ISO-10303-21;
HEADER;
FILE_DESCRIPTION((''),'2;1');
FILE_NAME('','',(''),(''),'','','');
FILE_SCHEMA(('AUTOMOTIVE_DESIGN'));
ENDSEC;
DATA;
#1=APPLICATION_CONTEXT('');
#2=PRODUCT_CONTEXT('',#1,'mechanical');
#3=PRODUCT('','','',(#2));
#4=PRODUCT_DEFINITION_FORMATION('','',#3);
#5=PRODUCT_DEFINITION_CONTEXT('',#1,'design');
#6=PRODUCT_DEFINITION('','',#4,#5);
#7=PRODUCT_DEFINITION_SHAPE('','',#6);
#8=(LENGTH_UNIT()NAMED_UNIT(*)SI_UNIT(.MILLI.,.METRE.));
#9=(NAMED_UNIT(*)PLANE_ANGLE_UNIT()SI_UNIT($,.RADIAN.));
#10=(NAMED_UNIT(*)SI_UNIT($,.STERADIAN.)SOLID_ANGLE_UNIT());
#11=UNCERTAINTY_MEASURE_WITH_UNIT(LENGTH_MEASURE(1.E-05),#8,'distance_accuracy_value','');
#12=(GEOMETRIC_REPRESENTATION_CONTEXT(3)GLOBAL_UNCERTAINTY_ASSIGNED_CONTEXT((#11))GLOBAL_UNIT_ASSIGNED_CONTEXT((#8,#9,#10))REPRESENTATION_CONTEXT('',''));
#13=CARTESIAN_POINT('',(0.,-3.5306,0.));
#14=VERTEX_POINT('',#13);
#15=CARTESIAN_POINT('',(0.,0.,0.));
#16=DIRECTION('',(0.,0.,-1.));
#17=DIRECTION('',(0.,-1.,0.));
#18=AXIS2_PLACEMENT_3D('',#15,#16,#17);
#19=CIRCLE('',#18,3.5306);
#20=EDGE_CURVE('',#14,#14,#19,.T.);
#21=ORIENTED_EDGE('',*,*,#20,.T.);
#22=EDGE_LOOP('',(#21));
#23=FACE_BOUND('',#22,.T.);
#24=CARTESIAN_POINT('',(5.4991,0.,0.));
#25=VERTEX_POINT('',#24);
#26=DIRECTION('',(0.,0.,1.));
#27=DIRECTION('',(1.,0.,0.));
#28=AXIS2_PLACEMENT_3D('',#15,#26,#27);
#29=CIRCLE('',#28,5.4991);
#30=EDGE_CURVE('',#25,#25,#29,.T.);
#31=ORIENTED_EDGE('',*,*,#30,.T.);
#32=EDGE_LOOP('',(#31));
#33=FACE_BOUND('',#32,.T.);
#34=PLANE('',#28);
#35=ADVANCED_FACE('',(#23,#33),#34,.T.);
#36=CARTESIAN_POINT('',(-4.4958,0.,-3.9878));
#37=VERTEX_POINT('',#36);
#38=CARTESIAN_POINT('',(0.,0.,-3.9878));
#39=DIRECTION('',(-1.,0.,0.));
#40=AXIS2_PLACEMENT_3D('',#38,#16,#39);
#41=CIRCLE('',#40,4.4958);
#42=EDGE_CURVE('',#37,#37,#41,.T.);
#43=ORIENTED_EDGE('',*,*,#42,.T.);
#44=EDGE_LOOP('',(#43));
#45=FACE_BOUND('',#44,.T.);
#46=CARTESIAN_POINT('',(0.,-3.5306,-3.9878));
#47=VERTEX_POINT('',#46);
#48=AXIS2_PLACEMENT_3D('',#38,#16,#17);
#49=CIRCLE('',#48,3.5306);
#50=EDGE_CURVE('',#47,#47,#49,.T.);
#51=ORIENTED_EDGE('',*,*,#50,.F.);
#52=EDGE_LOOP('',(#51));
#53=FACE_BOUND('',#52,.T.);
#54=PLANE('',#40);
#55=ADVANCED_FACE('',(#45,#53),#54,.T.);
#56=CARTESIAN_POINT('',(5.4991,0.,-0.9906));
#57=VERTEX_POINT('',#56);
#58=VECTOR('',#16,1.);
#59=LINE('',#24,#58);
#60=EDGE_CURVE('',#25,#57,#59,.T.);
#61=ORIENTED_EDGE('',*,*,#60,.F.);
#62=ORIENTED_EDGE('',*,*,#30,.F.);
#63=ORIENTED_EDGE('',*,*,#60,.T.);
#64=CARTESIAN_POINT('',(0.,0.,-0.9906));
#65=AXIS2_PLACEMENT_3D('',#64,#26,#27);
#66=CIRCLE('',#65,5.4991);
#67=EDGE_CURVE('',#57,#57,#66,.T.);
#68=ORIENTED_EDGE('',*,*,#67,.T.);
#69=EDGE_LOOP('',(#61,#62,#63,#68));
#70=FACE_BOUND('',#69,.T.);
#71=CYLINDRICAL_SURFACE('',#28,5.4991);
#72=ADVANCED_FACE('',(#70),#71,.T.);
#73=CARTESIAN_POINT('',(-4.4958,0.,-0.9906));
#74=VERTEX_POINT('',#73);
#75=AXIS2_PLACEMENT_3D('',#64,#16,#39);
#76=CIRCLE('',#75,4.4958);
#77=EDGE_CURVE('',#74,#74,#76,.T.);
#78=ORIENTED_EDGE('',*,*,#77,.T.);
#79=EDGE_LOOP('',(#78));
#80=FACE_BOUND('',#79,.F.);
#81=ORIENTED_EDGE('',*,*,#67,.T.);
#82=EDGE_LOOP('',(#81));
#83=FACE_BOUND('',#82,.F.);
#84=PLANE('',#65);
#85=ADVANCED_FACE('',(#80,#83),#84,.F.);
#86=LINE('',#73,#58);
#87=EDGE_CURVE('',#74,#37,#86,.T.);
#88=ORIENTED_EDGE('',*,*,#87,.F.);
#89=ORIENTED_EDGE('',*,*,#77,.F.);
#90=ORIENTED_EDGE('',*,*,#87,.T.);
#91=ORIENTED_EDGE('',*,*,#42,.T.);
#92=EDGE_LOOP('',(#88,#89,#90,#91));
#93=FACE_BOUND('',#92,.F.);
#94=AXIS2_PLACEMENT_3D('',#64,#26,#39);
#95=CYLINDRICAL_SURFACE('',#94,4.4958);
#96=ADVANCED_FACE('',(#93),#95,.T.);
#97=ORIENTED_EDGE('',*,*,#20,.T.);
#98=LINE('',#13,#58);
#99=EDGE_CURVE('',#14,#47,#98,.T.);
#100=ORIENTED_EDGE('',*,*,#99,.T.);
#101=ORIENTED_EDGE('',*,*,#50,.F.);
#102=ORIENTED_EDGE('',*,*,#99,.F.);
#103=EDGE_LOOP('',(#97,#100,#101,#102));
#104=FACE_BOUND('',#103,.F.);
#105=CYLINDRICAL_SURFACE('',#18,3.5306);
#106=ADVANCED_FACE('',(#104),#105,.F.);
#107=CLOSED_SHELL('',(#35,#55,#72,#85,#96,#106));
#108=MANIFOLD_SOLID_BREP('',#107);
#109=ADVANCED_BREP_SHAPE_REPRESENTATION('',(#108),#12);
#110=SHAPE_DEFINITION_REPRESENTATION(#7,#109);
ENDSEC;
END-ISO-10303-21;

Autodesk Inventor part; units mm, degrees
ref_plane "YZ Plane" through (0, 0, 0) normal (1, 0, 0) x (0, 1, 0)
ref_plane "XZ Plane" through (0, 0, 0) normal (0, 1, 0) x (-1, 0, 0)
ref_plane "XY Plane" through (0, 0, 0) normal (0, 0, 1) x (1, 0, 0)
sketch "Sketch1" plane through (0, 0, 0) normal (0, 0, 1) x (1, 0, 0)
  circle A0 centre (0, 0) radius 5.4991
  dimension "d0" = 10.9982
extrude "Extrusion1" add sketch "Sketch1" against normal blind 0.9906
sketch "Sketch2" plane through (0, 0, -0.9906) normal (0, 0, -1) x (-1, 0, 0)
  circle A0 centre (0, 0) radius 5.4991 projected
  circle A1 centre (0, 0) radius 4.4958
  dimension "d3" = 8.9916
extrude "Extrusion2" add sketch "Sketch2" along normal blind 2.9972 contours A1
sketch "Sketch3" plane through (0, 0, 0) normal (0, 0, 1) x (1, 0, 0)
  circle A0 centre (0, 0) radius 5.4991 projected
hole "Hole1" at (0, 0, 0) direction (0, 0, -1) diameter 7.0612 end through all
properties part number "276-2181-011 Rev1"
